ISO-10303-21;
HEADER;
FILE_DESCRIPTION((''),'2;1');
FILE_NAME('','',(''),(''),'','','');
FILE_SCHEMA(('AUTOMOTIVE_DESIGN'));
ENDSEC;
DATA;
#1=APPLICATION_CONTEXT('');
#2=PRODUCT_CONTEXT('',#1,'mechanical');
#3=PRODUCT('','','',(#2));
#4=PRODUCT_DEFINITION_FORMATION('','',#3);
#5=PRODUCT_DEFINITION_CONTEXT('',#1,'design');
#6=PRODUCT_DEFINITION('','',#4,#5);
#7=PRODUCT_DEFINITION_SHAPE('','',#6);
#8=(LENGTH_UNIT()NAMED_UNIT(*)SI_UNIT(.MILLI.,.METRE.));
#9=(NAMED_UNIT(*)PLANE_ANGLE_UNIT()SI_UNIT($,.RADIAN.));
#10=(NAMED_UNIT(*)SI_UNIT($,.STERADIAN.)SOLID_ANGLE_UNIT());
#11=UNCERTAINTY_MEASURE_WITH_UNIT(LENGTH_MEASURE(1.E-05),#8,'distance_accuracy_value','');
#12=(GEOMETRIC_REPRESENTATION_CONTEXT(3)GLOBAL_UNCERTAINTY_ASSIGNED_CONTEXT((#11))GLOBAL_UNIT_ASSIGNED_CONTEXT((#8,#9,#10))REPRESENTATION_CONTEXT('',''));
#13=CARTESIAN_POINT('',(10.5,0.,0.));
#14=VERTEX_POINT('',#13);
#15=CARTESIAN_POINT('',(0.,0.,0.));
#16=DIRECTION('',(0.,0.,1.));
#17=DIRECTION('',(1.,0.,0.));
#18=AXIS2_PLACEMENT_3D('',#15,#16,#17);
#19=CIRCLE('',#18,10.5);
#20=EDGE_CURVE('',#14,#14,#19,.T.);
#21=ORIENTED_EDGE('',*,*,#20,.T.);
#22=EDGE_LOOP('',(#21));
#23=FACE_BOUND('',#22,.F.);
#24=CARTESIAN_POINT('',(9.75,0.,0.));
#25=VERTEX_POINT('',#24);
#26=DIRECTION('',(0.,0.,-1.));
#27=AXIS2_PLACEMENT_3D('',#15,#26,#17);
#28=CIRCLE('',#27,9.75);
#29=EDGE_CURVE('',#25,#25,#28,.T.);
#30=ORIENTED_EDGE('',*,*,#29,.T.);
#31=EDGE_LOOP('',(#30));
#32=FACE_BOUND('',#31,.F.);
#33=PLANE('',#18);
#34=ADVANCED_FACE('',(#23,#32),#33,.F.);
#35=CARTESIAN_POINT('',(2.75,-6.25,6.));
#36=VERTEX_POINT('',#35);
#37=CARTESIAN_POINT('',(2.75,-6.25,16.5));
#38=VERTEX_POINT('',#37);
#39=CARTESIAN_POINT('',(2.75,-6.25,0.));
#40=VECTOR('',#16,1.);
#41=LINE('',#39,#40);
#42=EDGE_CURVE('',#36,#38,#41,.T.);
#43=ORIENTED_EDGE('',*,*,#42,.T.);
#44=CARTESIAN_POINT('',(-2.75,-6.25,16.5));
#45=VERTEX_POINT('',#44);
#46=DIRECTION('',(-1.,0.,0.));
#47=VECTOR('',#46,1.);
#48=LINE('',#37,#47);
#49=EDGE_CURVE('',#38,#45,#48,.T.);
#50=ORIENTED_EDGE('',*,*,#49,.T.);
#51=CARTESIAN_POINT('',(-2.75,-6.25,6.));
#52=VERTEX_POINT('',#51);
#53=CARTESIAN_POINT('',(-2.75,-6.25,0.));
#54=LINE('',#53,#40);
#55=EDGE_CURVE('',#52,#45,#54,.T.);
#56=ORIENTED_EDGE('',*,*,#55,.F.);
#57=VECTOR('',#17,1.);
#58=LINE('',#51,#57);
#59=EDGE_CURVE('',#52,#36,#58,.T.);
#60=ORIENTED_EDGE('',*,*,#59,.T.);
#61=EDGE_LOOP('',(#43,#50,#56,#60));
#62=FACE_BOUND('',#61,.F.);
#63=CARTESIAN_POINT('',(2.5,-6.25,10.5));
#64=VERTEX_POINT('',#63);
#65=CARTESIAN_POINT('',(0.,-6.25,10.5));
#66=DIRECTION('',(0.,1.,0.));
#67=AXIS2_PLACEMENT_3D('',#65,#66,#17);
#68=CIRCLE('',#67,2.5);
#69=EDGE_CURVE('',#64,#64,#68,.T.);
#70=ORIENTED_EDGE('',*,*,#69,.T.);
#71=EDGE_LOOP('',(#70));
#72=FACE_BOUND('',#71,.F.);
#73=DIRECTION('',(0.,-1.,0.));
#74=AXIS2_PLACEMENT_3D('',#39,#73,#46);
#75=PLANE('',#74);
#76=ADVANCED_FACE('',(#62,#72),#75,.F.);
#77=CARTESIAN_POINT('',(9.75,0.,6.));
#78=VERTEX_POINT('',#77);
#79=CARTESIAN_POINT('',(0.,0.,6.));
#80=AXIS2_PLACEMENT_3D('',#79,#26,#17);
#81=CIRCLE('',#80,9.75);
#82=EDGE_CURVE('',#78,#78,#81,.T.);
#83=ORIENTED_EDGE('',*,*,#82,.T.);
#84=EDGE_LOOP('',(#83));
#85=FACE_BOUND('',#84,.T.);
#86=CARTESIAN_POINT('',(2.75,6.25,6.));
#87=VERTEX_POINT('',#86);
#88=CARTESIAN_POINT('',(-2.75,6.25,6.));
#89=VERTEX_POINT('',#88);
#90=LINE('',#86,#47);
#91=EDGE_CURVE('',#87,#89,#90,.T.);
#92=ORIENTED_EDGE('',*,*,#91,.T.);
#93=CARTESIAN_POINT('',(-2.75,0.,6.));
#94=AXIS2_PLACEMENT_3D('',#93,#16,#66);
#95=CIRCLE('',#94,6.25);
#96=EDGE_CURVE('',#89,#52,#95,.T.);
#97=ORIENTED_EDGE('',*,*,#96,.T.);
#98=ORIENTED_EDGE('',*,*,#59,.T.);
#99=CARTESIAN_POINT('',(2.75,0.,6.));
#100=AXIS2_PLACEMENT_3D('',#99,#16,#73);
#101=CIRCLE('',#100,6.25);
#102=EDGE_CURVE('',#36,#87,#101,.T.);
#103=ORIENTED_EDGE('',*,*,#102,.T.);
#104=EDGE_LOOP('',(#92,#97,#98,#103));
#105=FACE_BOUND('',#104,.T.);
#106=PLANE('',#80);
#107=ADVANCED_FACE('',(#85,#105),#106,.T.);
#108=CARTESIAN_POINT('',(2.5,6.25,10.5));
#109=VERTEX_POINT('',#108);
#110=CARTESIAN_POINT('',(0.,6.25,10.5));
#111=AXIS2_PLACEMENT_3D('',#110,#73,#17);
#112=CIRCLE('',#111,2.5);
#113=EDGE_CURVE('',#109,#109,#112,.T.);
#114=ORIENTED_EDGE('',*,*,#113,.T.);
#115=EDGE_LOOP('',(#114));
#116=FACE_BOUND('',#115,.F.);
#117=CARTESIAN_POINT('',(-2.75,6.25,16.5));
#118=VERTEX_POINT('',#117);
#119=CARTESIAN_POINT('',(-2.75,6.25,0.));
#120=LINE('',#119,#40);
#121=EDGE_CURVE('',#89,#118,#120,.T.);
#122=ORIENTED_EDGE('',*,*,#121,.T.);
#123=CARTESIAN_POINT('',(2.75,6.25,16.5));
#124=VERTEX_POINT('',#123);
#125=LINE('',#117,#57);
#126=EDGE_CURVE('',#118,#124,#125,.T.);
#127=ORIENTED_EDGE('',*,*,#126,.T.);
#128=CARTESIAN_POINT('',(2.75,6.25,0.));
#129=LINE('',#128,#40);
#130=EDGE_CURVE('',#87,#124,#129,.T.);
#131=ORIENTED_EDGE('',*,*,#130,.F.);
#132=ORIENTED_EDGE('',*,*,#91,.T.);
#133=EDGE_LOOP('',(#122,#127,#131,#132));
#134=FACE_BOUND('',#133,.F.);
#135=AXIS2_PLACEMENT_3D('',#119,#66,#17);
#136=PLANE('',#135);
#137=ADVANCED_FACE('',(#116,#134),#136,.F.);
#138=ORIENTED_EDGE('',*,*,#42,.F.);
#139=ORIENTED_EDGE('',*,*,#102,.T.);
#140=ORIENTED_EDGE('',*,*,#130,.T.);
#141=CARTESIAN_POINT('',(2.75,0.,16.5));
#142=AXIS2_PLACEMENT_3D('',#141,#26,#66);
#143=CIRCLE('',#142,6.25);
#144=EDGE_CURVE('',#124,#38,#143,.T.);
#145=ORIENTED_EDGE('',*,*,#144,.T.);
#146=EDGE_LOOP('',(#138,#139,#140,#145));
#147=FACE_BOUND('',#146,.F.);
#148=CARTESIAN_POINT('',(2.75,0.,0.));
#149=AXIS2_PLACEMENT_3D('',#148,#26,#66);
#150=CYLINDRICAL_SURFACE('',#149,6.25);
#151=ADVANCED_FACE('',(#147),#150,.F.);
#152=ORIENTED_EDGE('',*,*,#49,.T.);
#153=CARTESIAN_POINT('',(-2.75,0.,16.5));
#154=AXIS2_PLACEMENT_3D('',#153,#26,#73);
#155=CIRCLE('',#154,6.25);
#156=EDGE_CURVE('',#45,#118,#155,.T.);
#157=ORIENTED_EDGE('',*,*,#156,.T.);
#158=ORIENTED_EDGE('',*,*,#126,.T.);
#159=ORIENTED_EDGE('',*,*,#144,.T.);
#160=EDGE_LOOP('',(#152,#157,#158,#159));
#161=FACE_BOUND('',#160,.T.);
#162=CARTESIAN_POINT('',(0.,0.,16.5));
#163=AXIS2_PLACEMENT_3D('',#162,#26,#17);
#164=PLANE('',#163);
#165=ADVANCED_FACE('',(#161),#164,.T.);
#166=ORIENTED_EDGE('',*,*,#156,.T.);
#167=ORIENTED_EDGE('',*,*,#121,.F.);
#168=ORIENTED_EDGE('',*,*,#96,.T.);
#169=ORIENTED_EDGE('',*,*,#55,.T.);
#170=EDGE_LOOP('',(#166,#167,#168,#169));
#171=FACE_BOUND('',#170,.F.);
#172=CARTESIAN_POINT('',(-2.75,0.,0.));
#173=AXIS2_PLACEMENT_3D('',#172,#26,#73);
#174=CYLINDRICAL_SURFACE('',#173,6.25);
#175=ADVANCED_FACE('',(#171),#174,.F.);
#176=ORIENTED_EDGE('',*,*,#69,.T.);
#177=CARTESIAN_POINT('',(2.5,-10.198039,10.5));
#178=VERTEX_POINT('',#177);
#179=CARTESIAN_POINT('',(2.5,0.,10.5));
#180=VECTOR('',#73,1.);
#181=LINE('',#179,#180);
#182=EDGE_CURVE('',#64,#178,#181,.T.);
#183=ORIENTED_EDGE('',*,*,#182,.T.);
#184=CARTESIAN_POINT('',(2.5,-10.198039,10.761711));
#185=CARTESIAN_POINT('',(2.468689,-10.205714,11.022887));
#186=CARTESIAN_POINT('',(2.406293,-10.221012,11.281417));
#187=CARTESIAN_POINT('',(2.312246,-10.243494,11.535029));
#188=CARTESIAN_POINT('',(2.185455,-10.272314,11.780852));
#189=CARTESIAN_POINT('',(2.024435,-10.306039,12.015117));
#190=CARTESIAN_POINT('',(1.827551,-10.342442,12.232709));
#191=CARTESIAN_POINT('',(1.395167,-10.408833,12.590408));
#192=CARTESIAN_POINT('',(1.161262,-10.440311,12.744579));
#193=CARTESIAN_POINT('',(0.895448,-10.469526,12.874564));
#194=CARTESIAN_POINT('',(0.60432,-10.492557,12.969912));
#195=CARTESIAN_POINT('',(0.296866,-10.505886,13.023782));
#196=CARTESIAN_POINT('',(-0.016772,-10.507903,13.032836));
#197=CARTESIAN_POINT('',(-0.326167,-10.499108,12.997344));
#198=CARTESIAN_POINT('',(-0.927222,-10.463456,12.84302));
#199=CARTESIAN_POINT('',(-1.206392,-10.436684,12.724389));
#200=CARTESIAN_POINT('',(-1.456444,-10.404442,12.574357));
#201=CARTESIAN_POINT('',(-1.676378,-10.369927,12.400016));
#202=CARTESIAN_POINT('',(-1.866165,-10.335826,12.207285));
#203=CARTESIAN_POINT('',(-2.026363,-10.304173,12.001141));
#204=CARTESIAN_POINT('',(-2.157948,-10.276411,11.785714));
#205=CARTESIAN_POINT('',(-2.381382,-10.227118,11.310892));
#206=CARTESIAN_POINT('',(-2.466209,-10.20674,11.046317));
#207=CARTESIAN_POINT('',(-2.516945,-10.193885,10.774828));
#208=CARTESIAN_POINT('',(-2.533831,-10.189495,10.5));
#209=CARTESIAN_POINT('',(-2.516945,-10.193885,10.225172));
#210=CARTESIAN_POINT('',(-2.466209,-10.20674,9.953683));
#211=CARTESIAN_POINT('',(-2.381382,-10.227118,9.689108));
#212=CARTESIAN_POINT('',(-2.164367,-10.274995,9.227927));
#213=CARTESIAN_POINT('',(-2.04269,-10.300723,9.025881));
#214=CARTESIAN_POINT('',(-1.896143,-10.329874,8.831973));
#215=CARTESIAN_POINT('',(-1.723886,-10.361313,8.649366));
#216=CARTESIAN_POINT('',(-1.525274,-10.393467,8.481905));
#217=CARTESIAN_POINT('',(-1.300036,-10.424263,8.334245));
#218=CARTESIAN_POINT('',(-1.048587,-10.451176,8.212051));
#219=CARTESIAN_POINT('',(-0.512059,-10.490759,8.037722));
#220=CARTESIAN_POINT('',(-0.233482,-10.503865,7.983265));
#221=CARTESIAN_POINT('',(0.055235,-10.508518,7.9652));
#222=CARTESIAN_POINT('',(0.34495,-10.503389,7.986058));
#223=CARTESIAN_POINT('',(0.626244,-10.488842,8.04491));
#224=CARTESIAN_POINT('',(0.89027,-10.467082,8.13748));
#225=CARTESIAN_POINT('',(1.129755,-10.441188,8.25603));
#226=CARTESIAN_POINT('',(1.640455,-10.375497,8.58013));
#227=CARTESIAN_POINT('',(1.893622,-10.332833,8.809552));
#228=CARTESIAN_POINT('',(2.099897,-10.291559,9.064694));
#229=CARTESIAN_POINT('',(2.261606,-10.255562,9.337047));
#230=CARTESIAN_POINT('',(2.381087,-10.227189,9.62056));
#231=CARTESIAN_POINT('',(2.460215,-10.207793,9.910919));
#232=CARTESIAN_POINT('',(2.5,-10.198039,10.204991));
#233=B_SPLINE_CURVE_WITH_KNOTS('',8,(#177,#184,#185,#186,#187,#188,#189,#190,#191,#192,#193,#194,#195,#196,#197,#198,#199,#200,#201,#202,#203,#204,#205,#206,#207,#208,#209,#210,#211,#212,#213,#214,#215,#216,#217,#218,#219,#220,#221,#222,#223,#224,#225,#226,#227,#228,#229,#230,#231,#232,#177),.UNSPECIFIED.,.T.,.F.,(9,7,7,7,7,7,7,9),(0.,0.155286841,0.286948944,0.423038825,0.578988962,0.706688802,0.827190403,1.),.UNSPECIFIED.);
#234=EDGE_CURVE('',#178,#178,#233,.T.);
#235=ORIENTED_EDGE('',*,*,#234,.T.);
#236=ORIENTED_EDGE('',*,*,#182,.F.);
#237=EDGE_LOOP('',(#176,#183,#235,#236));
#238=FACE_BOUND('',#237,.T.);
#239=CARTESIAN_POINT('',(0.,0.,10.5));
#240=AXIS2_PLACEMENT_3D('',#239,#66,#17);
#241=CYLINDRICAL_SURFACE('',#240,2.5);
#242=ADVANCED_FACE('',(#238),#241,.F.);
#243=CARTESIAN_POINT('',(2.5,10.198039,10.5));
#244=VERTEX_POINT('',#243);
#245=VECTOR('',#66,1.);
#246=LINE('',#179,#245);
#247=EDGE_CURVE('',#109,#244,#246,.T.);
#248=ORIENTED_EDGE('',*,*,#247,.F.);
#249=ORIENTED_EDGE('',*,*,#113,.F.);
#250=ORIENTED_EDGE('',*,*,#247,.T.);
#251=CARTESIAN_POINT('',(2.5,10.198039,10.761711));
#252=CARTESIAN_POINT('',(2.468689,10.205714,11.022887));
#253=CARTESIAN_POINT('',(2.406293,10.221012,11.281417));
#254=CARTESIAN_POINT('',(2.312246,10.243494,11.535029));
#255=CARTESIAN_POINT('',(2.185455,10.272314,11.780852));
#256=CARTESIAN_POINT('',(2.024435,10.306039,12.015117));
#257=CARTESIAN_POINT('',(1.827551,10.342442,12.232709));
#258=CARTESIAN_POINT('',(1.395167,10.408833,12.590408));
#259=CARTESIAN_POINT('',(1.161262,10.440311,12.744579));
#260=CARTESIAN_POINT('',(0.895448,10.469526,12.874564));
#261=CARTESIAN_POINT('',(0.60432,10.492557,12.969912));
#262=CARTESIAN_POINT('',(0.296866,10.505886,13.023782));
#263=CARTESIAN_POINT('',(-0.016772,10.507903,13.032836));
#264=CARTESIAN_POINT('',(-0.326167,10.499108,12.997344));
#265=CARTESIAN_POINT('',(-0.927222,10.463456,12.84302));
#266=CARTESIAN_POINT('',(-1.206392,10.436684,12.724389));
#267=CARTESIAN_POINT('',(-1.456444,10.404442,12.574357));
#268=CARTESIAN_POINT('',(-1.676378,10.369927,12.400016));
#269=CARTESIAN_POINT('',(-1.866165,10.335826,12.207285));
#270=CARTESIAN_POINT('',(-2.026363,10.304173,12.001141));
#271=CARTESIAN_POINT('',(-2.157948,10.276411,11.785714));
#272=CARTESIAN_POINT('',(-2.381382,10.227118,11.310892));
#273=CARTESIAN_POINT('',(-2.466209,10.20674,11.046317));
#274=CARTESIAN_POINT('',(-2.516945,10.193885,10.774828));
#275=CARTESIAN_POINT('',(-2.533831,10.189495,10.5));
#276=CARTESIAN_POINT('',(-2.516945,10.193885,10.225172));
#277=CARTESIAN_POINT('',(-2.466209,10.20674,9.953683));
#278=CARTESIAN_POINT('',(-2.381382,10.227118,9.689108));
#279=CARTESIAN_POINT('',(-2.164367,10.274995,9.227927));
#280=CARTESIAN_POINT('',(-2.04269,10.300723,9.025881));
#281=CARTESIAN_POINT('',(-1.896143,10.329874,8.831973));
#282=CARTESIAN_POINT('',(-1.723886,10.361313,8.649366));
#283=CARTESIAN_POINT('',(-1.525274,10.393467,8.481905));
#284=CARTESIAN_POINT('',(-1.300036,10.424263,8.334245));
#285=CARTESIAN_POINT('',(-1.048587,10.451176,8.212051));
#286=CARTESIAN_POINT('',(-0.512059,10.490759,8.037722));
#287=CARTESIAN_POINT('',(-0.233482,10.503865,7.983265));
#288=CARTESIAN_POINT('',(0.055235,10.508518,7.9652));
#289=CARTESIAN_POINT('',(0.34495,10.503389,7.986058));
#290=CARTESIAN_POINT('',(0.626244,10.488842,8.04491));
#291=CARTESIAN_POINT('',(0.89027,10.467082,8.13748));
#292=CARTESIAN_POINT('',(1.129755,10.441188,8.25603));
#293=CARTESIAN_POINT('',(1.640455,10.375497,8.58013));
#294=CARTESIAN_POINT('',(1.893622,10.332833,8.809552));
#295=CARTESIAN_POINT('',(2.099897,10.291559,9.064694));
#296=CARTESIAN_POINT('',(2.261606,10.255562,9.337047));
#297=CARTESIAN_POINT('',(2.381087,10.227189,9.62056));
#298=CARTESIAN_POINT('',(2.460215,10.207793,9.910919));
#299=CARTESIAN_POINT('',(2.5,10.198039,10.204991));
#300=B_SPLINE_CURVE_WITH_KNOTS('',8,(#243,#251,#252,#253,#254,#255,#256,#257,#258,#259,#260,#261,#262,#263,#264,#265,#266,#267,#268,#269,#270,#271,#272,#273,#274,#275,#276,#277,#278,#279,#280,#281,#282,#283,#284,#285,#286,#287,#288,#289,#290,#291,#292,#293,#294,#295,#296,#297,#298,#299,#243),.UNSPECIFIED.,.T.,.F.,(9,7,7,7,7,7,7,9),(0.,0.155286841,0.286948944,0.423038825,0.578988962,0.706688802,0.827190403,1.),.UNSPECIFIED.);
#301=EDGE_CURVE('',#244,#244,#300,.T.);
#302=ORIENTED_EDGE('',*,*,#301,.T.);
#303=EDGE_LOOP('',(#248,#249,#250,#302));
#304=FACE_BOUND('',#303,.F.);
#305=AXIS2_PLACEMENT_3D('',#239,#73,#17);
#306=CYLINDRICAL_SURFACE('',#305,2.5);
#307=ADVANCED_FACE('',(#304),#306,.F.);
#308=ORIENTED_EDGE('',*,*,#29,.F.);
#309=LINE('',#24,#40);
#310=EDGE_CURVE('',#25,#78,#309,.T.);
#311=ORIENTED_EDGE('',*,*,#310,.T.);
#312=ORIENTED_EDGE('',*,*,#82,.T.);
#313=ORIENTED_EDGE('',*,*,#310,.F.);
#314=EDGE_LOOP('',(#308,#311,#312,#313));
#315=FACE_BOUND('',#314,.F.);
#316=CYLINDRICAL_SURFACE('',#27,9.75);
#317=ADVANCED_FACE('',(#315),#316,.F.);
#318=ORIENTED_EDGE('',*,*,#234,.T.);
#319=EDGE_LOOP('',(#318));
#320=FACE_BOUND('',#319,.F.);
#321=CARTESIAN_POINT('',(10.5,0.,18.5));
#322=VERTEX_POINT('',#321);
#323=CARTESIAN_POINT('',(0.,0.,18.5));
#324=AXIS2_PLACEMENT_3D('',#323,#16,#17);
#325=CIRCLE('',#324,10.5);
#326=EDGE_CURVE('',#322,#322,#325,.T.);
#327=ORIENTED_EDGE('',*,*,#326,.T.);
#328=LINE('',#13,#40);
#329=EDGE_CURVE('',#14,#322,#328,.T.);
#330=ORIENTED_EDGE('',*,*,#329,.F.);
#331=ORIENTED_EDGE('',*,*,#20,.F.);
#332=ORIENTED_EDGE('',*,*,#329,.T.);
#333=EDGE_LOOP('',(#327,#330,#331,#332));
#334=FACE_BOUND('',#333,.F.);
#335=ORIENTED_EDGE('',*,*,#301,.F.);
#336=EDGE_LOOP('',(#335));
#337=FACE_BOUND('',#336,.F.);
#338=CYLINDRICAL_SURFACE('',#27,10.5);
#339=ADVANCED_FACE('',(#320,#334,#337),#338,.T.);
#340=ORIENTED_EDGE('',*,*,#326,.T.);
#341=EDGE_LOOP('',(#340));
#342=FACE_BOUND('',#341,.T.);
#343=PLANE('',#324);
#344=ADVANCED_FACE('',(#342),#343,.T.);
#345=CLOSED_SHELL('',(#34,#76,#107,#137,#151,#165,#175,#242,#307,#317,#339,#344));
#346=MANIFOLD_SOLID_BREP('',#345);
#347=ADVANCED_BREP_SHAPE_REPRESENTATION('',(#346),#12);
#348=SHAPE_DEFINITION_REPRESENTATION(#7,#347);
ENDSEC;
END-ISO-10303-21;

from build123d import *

# Parameters (mm, degrees)
F0_R          = 10.5
F1_DEPTH      = 18.5
F3_DEPTH      = 16.5
F4_R          = 9.75
F5_DEPTH      = 6
F6_R          = 2.5
F7_DEPTH      = 10.501
F7_DEPTH_BACK = 10.501


with BuildPart() as f1:
    # F0 (on Top) → F1 (new body)
    with BuildSketch(Plane.XY):
        Circle(F0_R)
    extrude(amount=F1_DEPTH)

    # F2 (on face) → F3 (cut)
    with BuildSketch(Plane(origin=(0, 0, 0), x_dir=(1, 0, 0), z_dir=(0, 0, -1))):
        with BuildLine():
            Line((2.75, 6.25), (-2.75, 6.25))
            ThreePointArc((-2.75, 6.25), (-9, 0), (-2.75, -6.25))
            Line((-2.75, -6.25), (2.75, -6.25))
            ThreePointArc((2.75, -6.25), (9, 0), (2.75, 6.25))
        make_face()
    extrude(amount=-F3_DEPTH, mode=Mode.SUBTRACT)

    # F4 (on face) → F5 (cut)
    with BuildSketch(Plane(origin=(0, 0, 0), x_dir=(1, 0, 0), z_dir=(0, 0, -1))):
        Circle(F4_R)
        with BuildLine():
            Line((-2.75, 6.25), (2.75, 6.25))
            ThreePointArc((2.75, 6.25), (9, 0), (2.75, -6.25))
            Line((2.75, -6.25), (-2.75, -6.25))
            ThreePointArc((-2.75, -6.25), (-9, 0), (-2.75, 6.25))
        make_face(mode=Mode.SUBTRACT)
    extrude(amount=-F5_DEPTH, mode=Mode.SUBTRACT)

    # F6 (on Front) → F7 (cut, two sides)
    with BuildSketch(Plane.XZ) as f7_sk:
        with Locations((0, 10.5)):
            Circle(F6_R)
    extrude(amount=-F7_DEPTH, mode=Mode.SUBTRACT)
    extrude(f7_sk.sketch, amount=F7_DEPTH_BACK, mode=Mode.SUBTRACT)


solid = f1.part
